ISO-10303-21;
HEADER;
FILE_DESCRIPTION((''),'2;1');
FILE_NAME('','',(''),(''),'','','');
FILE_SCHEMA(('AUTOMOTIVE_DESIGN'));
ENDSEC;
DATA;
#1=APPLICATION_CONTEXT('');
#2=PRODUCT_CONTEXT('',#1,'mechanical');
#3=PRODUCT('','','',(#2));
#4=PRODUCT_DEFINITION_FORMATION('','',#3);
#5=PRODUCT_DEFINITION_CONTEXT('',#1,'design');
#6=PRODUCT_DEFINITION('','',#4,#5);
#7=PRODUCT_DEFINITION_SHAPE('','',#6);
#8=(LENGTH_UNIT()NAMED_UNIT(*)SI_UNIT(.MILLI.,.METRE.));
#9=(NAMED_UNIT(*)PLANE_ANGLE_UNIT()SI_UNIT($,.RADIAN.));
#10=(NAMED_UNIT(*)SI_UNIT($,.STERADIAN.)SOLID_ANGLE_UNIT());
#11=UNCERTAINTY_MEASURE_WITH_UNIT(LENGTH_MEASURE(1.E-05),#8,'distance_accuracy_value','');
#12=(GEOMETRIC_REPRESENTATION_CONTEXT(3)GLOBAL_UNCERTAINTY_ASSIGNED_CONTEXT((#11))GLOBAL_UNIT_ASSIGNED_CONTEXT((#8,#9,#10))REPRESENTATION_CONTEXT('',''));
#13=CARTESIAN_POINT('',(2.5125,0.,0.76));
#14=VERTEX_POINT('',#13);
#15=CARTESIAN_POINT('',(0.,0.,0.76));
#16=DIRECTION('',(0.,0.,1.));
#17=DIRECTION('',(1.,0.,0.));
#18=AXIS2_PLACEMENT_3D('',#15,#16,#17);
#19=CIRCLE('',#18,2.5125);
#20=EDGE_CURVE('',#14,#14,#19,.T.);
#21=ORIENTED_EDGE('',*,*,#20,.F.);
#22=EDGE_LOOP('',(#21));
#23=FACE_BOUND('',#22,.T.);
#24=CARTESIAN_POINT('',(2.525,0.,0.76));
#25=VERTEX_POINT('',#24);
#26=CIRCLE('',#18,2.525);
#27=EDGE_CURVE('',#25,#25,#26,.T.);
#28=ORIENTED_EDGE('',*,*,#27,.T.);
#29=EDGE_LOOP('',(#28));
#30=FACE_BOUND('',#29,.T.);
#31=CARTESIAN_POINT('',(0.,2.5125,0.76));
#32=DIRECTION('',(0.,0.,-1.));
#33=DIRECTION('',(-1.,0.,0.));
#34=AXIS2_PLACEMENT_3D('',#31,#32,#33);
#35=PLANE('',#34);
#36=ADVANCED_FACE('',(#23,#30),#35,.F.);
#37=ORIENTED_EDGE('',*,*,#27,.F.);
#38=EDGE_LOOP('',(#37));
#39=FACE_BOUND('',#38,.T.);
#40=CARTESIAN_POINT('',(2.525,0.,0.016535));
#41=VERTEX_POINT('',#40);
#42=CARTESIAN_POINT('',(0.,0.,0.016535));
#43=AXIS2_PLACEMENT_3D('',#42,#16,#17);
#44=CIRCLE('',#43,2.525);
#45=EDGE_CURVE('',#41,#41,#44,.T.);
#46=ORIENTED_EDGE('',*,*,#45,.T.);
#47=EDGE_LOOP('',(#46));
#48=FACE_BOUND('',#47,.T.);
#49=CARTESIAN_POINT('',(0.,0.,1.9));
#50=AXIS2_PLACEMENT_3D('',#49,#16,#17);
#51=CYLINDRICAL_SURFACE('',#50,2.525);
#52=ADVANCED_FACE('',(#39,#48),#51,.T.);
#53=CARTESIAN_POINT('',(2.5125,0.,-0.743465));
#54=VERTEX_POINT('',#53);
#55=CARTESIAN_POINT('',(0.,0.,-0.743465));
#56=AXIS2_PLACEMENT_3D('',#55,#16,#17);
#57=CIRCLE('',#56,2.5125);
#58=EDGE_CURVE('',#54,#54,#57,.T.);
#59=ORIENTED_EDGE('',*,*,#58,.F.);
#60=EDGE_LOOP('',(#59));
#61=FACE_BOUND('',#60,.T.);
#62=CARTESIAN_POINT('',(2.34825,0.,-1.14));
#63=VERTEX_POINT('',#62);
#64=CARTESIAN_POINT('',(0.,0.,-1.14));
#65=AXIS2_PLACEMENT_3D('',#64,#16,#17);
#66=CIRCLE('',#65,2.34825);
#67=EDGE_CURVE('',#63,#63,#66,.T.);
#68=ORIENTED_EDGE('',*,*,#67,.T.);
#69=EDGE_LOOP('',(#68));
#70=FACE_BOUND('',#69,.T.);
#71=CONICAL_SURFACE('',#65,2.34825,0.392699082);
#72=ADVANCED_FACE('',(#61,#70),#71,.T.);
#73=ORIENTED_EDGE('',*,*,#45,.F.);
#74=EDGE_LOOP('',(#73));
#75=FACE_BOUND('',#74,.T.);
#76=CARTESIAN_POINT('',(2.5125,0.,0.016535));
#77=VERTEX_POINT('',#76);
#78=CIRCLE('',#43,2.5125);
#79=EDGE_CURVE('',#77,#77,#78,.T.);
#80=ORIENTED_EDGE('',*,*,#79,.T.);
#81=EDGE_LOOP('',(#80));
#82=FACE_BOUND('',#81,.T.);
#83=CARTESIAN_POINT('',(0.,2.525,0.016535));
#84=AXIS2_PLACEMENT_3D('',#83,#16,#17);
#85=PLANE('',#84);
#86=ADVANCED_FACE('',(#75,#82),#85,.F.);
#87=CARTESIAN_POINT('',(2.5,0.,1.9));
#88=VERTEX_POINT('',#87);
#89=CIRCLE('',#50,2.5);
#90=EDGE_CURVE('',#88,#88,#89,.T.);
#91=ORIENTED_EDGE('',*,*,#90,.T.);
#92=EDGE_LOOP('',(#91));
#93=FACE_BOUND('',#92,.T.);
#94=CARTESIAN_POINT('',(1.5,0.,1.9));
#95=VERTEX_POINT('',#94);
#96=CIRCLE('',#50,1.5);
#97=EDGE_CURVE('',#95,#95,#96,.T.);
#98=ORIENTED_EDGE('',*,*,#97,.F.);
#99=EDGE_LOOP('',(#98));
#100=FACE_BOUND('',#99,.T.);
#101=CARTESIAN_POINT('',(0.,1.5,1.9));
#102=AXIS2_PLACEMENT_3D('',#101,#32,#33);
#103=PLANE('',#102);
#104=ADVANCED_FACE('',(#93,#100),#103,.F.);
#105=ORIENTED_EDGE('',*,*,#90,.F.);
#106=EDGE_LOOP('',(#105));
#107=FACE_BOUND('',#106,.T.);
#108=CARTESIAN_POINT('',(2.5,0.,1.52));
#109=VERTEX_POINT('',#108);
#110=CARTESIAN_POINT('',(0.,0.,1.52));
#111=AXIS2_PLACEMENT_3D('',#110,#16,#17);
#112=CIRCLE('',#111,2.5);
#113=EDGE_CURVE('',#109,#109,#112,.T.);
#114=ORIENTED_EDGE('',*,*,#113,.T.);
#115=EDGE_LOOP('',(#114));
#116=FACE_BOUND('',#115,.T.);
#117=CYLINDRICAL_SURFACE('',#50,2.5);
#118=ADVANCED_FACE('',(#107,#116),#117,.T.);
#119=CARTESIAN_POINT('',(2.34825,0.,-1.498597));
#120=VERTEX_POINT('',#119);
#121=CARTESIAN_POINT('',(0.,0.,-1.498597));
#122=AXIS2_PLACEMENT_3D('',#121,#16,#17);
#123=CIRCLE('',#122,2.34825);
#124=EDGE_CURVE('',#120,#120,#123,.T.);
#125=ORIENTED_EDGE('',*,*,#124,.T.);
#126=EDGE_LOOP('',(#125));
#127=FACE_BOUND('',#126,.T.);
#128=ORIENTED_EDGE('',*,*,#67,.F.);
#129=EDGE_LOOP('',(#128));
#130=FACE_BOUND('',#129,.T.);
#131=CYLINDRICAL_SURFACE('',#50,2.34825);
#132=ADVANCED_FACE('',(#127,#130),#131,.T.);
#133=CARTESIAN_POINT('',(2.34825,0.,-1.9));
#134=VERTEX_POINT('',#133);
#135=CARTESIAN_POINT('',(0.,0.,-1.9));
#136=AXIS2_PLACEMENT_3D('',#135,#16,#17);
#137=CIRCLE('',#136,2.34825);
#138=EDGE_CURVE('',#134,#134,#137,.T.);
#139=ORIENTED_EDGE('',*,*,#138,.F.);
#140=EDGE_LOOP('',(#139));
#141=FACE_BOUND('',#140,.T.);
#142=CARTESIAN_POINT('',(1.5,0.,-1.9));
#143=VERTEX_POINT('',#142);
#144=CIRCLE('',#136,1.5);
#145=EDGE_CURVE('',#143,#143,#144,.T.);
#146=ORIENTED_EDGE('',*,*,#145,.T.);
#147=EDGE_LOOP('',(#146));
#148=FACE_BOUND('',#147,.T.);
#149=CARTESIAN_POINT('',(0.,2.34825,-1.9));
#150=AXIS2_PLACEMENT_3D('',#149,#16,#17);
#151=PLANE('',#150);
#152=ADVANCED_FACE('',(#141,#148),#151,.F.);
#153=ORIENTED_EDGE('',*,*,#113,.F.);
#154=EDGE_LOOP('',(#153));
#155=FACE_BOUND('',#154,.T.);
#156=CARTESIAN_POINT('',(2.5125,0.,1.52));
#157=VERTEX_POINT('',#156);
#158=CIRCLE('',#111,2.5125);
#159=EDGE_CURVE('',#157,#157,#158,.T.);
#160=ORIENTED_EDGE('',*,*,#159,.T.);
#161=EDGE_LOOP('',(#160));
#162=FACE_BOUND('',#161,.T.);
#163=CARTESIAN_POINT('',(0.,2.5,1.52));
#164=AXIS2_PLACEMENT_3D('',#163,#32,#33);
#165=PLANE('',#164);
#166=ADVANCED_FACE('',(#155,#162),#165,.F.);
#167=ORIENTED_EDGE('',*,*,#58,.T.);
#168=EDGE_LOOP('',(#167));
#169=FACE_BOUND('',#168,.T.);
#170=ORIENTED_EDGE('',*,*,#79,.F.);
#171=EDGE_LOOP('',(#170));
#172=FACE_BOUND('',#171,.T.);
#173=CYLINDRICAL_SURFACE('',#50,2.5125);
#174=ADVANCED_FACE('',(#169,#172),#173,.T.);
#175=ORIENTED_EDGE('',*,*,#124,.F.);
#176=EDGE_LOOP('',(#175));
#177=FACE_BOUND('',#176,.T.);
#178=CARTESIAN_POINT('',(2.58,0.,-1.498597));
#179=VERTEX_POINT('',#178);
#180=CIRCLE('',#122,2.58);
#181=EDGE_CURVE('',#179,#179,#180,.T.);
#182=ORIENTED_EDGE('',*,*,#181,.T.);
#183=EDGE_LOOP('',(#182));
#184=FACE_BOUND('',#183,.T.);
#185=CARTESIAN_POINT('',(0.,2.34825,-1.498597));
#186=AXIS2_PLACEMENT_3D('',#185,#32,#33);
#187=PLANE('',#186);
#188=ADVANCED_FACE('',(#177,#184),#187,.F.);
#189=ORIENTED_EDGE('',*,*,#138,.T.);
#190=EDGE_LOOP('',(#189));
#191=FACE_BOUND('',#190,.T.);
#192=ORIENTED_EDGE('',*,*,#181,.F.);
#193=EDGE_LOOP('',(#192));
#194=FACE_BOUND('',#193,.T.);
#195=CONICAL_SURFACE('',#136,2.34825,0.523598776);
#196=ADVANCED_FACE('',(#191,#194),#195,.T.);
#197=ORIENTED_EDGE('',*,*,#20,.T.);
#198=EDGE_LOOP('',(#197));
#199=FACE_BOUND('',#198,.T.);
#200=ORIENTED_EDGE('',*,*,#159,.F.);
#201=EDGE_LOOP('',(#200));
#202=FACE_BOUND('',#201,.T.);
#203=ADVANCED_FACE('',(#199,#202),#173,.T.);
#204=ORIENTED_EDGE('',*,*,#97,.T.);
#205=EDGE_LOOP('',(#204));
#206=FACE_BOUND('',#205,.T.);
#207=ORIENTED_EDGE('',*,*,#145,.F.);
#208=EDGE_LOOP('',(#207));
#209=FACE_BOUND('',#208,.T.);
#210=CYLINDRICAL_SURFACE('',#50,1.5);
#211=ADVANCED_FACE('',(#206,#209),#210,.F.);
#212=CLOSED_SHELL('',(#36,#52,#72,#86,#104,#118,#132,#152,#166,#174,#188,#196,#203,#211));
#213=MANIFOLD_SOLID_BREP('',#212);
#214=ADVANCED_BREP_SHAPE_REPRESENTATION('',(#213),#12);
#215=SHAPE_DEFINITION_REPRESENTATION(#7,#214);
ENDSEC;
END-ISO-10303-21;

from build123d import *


with BuildPart() as part:
    # Sketch3 → Revolve1 (revolve)
    with BuildSketch(Plane(origin=(0, 0, 0), x_dir=(0, 0, -1), z_dir=(1, 0, 0)), mode=Mode.PRIVATE) as revolve1_sk:
        Polygon((-1.9, 1.5), (-1.9, 2.5), (-1.52, 2.5), (-1.52, 2.5125), (-0.76, 2.5125), (-0.76, 2.525), (-0.016534578, 2.525), (-0.016534578, 2.5125), (0.743465422, 2.5125), (1.14, 2.34825), (1.498597225, 2.34825), (1.498597225, 2.58), (1.9, 2.34825), (1.9, 1.5), align=None)
    revolve(revolve1_sk.sketch.rotate(Axis((0, 0, 1.9), (0, 0, -1)), 90), axis=Axis((0, 0, 1.9), (0, 0, -1)))


solid = part.part
